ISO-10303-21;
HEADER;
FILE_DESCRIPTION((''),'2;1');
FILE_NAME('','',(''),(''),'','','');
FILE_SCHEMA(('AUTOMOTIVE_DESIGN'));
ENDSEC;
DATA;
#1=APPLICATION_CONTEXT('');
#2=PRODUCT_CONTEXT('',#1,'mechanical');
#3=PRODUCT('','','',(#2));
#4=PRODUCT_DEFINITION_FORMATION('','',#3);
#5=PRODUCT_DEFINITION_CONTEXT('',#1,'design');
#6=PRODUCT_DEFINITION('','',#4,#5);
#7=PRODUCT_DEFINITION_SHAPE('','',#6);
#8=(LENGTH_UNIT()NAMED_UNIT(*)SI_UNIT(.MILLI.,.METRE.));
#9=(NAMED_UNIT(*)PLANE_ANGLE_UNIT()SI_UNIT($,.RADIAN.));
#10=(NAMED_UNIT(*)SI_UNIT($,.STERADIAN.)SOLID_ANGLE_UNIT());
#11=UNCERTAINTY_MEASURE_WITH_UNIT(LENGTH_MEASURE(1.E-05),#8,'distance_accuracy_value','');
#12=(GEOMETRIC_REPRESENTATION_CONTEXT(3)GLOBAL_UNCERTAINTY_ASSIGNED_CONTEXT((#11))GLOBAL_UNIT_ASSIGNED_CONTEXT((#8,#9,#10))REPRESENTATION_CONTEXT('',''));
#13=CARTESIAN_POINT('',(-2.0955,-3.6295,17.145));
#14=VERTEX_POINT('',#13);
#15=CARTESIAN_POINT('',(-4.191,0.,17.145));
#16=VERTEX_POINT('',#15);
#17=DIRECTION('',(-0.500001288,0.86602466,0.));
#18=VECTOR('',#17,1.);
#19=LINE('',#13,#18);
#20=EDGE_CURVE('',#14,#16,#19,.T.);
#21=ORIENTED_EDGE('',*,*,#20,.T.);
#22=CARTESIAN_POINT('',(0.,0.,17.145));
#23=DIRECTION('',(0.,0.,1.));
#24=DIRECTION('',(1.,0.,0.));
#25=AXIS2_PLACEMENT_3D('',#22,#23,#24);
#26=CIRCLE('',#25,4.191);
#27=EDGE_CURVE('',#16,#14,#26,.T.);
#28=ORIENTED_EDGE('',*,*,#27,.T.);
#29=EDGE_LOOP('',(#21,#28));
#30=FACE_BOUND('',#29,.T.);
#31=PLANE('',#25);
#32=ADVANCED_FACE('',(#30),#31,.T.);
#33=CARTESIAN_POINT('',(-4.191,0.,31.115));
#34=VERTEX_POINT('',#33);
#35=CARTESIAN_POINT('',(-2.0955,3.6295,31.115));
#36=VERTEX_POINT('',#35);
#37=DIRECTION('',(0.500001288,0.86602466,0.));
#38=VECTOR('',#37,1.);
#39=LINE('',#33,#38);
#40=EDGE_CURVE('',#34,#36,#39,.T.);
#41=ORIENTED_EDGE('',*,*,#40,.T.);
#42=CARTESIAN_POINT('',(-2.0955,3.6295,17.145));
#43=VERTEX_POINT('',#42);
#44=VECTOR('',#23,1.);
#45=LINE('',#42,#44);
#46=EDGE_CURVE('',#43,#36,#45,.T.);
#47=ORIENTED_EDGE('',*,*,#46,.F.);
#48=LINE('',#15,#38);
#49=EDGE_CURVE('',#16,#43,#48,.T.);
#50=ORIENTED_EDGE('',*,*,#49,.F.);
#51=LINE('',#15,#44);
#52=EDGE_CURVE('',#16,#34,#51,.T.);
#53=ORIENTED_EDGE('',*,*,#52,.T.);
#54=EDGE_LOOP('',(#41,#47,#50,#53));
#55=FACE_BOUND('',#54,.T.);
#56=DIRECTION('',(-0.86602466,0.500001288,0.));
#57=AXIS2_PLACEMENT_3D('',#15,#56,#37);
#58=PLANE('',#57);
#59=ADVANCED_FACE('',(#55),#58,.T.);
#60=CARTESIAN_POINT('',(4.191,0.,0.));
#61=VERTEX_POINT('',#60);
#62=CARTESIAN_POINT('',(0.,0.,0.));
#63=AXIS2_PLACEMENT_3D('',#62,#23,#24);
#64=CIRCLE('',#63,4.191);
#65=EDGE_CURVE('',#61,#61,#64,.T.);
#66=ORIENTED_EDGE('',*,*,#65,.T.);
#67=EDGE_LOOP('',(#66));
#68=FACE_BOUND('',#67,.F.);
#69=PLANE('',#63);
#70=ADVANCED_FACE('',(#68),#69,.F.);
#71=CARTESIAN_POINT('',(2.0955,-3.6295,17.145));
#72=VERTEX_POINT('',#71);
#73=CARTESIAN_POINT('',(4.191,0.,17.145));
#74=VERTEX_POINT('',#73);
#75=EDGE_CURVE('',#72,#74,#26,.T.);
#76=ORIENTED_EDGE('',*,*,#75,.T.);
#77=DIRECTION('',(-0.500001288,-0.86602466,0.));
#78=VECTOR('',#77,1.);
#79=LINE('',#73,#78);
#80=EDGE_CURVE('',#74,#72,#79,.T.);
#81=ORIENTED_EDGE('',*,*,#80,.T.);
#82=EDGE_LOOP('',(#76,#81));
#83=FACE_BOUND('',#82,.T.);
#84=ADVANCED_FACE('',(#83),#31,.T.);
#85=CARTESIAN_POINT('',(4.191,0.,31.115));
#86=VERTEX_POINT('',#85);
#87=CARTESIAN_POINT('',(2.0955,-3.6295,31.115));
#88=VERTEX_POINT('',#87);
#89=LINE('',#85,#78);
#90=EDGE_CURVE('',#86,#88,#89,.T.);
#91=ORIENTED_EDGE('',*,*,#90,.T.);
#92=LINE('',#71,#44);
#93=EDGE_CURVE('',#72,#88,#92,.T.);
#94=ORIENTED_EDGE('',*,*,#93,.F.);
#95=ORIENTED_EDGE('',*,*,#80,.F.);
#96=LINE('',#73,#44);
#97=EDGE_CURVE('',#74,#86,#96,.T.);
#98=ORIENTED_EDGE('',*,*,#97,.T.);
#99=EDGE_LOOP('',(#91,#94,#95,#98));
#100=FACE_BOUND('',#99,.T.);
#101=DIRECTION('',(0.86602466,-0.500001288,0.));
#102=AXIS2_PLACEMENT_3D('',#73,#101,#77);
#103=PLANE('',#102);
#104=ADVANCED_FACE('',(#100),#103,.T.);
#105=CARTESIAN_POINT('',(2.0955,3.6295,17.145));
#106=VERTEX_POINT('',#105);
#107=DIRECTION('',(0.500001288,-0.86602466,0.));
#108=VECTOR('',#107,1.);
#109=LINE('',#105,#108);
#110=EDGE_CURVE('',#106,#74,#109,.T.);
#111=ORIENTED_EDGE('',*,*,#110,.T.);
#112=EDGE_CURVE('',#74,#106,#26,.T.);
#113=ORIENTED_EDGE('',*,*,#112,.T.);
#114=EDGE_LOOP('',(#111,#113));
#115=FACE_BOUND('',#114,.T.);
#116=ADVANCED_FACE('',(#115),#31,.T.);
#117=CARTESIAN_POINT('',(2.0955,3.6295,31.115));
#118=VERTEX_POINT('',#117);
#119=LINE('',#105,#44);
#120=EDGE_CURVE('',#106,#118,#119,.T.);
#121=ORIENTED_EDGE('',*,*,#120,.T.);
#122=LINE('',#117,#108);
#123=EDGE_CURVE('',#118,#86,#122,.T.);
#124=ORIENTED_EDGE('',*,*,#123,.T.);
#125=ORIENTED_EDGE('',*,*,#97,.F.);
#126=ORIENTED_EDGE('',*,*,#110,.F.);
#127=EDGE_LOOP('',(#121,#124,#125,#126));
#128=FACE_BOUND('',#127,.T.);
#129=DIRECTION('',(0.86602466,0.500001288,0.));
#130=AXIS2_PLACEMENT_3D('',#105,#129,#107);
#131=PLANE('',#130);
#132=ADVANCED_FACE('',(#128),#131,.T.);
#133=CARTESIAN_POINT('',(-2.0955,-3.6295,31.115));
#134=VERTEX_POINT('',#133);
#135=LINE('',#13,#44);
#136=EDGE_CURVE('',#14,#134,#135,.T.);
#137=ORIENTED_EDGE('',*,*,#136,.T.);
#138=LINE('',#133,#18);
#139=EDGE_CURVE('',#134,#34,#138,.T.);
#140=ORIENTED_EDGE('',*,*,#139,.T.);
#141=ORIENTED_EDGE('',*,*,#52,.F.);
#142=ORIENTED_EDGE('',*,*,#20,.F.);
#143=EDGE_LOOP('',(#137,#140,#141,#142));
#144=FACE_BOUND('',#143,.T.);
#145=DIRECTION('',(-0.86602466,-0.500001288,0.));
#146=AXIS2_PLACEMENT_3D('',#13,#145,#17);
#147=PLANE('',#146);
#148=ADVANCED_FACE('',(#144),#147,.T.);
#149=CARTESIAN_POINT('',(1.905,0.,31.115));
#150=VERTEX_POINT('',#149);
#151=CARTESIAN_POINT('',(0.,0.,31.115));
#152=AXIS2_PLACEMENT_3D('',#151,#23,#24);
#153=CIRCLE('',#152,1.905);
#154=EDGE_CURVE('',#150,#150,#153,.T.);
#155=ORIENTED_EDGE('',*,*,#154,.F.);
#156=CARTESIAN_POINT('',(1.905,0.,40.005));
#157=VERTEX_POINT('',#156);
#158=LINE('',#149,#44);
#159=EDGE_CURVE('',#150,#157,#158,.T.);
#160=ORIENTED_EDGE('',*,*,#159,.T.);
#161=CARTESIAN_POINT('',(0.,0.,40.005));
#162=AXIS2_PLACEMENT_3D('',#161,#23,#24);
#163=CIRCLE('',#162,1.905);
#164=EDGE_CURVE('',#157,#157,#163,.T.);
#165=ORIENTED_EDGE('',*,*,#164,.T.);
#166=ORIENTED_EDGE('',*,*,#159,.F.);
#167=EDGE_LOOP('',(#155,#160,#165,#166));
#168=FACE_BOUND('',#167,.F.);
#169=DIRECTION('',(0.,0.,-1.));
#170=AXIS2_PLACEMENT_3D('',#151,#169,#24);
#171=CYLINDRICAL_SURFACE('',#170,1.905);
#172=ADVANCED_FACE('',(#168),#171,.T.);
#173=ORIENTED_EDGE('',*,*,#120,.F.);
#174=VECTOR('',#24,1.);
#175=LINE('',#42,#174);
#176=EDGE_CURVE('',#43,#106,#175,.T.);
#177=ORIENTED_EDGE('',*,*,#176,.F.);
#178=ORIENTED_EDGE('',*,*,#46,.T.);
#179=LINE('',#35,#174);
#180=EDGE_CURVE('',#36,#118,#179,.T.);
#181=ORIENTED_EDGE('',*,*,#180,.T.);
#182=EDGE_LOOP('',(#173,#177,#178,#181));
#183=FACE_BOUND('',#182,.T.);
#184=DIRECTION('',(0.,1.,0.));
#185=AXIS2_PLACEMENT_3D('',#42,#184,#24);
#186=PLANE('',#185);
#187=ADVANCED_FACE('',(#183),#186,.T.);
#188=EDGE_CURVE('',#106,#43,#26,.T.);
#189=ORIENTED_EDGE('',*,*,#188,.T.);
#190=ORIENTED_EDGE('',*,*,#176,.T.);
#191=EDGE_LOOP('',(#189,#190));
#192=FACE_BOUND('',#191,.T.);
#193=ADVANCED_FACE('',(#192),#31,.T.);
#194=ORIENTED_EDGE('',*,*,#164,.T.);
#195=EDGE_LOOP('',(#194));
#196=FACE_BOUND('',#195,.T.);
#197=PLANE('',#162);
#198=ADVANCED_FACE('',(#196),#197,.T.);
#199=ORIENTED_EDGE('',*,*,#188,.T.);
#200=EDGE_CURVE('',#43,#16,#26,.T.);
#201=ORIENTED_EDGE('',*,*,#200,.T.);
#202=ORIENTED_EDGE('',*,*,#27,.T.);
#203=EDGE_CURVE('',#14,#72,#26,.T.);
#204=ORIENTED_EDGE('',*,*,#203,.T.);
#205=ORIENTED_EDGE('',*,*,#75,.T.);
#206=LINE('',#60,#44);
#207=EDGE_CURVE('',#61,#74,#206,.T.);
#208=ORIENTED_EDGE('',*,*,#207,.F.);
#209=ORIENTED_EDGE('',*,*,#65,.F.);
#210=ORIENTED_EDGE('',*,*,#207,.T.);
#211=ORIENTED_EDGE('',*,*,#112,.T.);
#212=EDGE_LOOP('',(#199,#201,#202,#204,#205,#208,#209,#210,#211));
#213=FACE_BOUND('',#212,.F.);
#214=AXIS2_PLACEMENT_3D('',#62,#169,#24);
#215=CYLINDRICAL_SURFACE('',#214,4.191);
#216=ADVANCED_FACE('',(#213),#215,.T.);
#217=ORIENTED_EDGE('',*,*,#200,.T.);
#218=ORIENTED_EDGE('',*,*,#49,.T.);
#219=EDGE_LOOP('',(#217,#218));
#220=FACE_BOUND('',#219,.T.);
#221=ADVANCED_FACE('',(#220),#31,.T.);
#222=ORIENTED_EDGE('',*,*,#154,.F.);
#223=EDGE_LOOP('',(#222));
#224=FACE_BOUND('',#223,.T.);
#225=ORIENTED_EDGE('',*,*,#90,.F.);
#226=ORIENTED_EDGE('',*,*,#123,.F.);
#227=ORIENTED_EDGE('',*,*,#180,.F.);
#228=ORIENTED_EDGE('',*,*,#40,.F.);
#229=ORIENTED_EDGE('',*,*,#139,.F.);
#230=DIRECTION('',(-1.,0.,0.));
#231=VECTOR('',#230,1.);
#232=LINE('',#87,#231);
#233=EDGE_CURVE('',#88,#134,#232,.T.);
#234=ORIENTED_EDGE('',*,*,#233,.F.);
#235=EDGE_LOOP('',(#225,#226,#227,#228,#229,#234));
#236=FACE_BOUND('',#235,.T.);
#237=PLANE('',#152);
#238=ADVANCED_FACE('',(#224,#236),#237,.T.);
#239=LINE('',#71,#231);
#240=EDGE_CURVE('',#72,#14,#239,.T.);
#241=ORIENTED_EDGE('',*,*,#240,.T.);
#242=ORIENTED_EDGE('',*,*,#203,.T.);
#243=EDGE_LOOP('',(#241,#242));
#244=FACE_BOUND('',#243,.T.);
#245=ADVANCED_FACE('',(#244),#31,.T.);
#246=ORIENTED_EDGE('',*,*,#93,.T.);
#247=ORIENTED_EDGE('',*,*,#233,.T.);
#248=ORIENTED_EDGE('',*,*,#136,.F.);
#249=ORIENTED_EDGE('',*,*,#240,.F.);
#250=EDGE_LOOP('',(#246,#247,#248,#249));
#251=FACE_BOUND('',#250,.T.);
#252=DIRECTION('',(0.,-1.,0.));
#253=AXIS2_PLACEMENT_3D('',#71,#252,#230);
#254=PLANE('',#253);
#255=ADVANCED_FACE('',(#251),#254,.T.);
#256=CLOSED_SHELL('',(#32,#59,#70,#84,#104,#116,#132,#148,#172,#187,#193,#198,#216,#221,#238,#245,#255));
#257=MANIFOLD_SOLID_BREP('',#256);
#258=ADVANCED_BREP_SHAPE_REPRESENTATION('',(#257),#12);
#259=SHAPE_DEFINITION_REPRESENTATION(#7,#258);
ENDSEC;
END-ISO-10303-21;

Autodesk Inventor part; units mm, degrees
ref_plane "YZ Plane" through (0, 0, 0) normal (1, 0, 0) x (0, 1, 0)
ref_plane "XZ Plane" through (0, 0, 0) normal (0, 1, 0) x (-1, 0, 0)
sketch "Sketch1" plane through (0, 0, 0) normal (0, 0, 1) x (1, 0, 0)
  circle A0 centre (0, 0) radius 4.191 projected
  circle A1 centre (0, 0) radius 4.191
  point P0 (0, 0)
ref_plane "Work Plane1" through (-10.4775, -10.4775, 12.7) normal (0, 0, 1) x (1, 0, 0)
extrude "Extrusion1" add sketch "Sketch1" along normal blind 17.145
sketch "Sketch2" plane through (0, 0, 17.145) normal (0, 0, 1) x (1, 0, 0)
  circle A0 centre (0, 0) radius 4.191 projected
  line L0 (-2.0955, -3.6295) -> (-4.191, 0)
  line L1 (-4.191, 0) -> (-2.0955, 3.6295)
  line L2 (-2.0955, 3.6295) -> (2.0955, 3.6295)
  line L3 (2.0955, 3.6295) -> (4.191, 0)
  line L4 (4.191, 0) -> (2.0955, -3.6295)
  line L5 (2.0955, -3.6295) -> (-2.0955, -3.6295)
  point P0 (0, 0)
  point P1 (0, 0)
extrude "Extrusion2" add sketch "Sketch2" along normal blind 13.97 contours L4 L5 L0 L1 L2 L3
sketch "Sketch3" plane through (0, 0, 31.115) normal (0, 0, 1) x (1, 0, 0)
  circle A0 centre (0, 0) radius 1.905
  dimension "d4" = 3.81
extrude "Extrusion3" add sketch "Sketch3" along normal blind 8.89
properties part number "Wheel_Pin"
